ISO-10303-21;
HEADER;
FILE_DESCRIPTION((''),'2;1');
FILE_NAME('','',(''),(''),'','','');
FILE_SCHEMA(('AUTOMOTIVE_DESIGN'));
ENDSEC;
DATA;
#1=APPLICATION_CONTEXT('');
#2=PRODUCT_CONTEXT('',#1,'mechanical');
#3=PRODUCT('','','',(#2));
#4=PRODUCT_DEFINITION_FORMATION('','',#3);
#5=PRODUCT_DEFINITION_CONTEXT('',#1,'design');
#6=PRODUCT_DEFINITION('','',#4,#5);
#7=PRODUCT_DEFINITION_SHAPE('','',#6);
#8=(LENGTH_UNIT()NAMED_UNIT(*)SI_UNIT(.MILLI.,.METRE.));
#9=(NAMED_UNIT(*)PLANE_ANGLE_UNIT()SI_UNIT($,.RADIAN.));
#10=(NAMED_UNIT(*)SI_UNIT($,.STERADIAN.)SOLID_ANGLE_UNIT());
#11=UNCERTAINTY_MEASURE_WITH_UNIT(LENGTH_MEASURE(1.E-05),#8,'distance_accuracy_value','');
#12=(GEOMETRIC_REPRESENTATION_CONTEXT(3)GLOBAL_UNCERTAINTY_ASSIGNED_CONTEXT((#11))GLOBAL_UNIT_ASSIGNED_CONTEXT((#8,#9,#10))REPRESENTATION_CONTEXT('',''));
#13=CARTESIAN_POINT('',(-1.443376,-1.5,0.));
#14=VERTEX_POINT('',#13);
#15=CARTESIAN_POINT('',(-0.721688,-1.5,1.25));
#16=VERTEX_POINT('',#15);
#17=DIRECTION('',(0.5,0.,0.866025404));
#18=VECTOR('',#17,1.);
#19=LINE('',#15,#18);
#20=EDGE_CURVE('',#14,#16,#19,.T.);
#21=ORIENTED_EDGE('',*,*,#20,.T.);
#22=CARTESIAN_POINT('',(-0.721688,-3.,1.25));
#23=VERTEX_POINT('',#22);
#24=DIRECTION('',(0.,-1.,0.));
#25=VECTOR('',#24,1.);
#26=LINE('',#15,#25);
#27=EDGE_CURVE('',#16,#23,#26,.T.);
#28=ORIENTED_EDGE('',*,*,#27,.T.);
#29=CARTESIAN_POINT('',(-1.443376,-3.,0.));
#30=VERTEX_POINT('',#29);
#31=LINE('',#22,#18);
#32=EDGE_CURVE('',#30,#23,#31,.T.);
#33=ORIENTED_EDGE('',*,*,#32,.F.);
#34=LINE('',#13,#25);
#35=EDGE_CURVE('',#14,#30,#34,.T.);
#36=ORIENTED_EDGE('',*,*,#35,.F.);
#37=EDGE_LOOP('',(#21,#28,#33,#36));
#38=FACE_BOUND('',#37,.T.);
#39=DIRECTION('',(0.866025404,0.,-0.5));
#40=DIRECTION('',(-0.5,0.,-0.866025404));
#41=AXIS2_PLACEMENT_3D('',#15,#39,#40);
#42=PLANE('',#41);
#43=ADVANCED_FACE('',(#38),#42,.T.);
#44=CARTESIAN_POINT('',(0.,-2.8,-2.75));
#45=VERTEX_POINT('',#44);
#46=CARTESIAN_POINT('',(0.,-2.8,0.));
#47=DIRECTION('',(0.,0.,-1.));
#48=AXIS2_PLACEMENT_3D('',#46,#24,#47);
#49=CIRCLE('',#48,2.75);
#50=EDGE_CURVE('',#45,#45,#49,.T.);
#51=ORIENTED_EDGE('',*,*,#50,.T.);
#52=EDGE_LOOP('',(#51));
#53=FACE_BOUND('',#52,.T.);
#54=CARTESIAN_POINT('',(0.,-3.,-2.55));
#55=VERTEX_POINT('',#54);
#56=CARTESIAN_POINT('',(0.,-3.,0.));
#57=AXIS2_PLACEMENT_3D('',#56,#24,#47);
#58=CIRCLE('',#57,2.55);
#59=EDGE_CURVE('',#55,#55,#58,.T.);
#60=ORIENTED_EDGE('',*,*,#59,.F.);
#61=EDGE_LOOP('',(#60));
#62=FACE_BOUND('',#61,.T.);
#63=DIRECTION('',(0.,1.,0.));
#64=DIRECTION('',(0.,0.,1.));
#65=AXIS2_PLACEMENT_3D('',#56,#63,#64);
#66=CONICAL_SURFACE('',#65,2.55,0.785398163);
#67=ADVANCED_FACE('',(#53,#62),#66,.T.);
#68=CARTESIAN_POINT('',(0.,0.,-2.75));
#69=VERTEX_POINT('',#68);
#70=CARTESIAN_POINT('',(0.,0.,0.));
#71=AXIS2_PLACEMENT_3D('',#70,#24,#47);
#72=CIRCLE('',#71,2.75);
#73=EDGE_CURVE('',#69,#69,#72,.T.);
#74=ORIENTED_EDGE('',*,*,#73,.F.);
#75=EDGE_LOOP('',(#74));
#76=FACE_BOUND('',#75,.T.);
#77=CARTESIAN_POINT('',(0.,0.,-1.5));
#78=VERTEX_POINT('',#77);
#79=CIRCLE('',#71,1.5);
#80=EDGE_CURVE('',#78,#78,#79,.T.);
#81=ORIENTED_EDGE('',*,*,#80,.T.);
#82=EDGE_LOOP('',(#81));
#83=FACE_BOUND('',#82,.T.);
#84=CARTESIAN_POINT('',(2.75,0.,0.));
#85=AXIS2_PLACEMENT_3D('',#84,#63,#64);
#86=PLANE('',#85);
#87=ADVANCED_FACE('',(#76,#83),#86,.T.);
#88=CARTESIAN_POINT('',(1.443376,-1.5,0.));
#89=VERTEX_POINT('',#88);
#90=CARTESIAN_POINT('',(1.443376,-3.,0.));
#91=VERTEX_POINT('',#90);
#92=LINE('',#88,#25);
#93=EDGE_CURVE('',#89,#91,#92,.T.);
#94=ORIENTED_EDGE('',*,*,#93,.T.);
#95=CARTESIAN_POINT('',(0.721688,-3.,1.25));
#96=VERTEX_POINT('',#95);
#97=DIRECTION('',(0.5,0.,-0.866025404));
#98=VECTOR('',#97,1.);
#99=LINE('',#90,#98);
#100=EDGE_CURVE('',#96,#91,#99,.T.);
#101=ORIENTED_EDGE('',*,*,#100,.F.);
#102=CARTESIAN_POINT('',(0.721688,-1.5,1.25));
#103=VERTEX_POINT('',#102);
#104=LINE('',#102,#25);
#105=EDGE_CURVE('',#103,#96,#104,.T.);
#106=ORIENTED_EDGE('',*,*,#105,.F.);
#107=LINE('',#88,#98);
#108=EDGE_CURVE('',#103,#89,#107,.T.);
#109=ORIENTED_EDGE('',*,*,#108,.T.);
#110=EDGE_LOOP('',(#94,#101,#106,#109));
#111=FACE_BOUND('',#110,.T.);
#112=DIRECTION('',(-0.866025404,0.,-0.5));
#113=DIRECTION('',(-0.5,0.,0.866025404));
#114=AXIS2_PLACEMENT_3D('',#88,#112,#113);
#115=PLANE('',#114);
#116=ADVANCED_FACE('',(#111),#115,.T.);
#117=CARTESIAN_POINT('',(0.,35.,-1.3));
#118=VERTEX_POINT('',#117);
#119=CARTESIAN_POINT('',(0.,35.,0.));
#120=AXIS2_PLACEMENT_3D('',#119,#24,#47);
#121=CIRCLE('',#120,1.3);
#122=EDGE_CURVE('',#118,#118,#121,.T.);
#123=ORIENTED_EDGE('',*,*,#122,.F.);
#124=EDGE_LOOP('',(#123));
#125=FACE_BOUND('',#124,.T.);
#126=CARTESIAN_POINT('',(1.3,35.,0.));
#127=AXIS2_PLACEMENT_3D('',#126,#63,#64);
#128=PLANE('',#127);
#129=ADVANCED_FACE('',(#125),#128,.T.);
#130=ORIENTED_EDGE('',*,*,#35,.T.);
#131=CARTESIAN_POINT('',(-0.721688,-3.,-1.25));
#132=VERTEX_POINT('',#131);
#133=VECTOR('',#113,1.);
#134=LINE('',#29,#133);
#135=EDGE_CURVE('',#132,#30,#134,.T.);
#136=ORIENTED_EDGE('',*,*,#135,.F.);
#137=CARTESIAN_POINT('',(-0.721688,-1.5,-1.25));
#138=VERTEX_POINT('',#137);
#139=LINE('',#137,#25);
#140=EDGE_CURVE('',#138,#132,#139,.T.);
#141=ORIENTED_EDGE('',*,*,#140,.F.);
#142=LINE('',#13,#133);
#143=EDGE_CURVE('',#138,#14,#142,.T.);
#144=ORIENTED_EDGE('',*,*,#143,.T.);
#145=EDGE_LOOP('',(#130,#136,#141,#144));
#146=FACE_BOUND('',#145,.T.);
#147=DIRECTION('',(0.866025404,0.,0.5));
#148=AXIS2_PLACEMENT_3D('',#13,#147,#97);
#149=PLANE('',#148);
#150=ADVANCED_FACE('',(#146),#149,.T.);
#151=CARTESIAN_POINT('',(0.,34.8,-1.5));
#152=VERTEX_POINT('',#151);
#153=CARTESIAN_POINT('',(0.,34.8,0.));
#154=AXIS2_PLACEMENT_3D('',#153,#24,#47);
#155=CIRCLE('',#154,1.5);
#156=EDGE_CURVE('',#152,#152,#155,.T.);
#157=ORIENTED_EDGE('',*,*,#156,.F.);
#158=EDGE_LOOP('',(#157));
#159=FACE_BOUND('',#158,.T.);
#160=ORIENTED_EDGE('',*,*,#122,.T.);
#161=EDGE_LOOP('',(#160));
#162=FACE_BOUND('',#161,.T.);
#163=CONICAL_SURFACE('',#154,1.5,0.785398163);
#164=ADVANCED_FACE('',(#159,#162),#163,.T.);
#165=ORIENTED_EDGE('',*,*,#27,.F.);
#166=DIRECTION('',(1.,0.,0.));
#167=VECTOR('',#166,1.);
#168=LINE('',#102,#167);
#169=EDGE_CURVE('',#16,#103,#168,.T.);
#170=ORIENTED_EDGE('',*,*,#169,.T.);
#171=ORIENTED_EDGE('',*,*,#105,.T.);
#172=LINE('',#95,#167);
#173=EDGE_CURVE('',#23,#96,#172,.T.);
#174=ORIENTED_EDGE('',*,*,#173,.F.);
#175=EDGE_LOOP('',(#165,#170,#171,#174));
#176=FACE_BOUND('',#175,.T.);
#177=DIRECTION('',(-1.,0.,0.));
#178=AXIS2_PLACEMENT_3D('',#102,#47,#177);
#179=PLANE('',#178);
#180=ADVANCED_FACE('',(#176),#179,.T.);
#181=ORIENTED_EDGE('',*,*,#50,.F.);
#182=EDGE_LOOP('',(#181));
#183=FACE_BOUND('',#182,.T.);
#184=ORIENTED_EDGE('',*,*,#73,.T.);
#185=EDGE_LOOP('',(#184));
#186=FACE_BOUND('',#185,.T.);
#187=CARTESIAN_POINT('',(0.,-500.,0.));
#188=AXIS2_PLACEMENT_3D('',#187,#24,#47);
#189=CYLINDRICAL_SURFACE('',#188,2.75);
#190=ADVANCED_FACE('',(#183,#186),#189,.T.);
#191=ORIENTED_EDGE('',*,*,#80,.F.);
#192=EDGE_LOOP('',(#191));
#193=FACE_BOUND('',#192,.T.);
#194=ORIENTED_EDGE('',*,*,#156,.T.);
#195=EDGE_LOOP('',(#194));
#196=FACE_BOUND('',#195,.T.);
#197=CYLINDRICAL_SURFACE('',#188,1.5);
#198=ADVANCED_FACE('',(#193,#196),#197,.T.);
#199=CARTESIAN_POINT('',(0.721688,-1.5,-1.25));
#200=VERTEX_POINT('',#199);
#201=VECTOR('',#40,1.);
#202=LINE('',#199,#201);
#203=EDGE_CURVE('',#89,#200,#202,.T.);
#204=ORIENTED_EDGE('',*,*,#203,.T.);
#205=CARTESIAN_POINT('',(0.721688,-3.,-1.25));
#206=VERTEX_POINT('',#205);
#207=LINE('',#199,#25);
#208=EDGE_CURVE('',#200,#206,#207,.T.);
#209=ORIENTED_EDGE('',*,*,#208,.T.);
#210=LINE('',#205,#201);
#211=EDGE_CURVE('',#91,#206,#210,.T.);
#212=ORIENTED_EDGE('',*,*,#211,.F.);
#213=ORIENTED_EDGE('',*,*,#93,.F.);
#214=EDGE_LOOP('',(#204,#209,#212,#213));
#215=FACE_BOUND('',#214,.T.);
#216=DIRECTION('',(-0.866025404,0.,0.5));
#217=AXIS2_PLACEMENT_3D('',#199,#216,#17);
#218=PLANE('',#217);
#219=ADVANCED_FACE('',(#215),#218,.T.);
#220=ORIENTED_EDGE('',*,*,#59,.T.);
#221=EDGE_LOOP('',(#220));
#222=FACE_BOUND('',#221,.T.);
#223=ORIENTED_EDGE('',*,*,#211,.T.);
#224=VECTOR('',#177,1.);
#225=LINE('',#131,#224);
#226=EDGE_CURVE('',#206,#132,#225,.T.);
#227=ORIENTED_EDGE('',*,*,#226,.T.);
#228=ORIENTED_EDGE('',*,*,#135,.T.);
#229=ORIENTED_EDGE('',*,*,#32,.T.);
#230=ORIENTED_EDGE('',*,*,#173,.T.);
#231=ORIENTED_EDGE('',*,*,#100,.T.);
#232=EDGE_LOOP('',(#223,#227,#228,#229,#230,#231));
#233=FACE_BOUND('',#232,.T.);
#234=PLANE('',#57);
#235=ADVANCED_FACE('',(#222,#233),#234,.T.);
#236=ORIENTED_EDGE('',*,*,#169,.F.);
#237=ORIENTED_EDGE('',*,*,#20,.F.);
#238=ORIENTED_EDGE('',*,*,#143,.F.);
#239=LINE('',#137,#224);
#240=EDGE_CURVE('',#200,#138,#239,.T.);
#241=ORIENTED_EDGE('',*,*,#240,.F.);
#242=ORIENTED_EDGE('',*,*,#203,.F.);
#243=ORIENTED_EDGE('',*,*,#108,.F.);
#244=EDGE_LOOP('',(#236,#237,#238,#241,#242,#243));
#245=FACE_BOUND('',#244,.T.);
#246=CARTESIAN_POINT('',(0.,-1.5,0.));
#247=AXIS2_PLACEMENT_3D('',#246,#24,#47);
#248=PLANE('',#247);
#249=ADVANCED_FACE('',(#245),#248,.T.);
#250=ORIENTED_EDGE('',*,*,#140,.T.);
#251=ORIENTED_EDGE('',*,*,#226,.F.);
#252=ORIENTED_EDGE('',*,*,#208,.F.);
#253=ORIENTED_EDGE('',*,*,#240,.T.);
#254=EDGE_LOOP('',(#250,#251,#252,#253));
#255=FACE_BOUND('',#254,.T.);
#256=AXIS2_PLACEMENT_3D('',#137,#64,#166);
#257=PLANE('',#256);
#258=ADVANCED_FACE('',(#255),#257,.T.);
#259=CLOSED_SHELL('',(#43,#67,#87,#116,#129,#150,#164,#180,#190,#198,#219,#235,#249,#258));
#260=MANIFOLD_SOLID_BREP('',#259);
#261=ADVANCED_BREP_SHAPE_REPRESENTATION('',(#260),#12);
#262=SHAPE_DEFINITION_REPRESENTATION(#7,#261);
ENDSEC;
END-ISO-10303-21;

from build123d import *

# Parameters (mm, degrees)
SIMPLIFIED_START                    = -3
SIMPLIFIED_NOMINAL_HEX_SOCKET_DEPTH = 1.5


with BuildPart() as part:
    # Reconstructed nominal axial profile → Native revolved geometry (revolve)
    with BuildSketch(Plane.XY, mode=Mode.PRIVATE) as native_revolved_geometry_sk:
        Polygon((0, -3), (2.55, -3), (2.75, -2.8), (2.75, 0), (1.5, 0), (1.5, 34.8), (1.3, 35), (0, 35), align=None)
    revolve(native_revolved_geometry_sk.sketch.rotate(Axis((0, -500, 0), (0, 1, 0)), 90), axis=Axis((0, -500, 0), (0, 1, 0)))

    # Sketch2 → Simplified nominal hex socket (cut)
    with BuildSketch(Plane(origin=(0, 0, 0), x_dir=(1, 0, 0), z_dir=(0, 1, 0)).offset(SIMPLIFIED_START)):
        Polygon((1.443375673, 0), (0.721687836, -1.25), (-0.721687836, -1.25), (-1.443375673, 0), (-0.721687836, 1.25), (0.721687836, 1.25), align=None)
    extrude(amount=SIMPLIFIED_NOMINAL_HEX_SOCKET_DEPTH, mode=Mode.SUBTRACT)


solid = part.part
